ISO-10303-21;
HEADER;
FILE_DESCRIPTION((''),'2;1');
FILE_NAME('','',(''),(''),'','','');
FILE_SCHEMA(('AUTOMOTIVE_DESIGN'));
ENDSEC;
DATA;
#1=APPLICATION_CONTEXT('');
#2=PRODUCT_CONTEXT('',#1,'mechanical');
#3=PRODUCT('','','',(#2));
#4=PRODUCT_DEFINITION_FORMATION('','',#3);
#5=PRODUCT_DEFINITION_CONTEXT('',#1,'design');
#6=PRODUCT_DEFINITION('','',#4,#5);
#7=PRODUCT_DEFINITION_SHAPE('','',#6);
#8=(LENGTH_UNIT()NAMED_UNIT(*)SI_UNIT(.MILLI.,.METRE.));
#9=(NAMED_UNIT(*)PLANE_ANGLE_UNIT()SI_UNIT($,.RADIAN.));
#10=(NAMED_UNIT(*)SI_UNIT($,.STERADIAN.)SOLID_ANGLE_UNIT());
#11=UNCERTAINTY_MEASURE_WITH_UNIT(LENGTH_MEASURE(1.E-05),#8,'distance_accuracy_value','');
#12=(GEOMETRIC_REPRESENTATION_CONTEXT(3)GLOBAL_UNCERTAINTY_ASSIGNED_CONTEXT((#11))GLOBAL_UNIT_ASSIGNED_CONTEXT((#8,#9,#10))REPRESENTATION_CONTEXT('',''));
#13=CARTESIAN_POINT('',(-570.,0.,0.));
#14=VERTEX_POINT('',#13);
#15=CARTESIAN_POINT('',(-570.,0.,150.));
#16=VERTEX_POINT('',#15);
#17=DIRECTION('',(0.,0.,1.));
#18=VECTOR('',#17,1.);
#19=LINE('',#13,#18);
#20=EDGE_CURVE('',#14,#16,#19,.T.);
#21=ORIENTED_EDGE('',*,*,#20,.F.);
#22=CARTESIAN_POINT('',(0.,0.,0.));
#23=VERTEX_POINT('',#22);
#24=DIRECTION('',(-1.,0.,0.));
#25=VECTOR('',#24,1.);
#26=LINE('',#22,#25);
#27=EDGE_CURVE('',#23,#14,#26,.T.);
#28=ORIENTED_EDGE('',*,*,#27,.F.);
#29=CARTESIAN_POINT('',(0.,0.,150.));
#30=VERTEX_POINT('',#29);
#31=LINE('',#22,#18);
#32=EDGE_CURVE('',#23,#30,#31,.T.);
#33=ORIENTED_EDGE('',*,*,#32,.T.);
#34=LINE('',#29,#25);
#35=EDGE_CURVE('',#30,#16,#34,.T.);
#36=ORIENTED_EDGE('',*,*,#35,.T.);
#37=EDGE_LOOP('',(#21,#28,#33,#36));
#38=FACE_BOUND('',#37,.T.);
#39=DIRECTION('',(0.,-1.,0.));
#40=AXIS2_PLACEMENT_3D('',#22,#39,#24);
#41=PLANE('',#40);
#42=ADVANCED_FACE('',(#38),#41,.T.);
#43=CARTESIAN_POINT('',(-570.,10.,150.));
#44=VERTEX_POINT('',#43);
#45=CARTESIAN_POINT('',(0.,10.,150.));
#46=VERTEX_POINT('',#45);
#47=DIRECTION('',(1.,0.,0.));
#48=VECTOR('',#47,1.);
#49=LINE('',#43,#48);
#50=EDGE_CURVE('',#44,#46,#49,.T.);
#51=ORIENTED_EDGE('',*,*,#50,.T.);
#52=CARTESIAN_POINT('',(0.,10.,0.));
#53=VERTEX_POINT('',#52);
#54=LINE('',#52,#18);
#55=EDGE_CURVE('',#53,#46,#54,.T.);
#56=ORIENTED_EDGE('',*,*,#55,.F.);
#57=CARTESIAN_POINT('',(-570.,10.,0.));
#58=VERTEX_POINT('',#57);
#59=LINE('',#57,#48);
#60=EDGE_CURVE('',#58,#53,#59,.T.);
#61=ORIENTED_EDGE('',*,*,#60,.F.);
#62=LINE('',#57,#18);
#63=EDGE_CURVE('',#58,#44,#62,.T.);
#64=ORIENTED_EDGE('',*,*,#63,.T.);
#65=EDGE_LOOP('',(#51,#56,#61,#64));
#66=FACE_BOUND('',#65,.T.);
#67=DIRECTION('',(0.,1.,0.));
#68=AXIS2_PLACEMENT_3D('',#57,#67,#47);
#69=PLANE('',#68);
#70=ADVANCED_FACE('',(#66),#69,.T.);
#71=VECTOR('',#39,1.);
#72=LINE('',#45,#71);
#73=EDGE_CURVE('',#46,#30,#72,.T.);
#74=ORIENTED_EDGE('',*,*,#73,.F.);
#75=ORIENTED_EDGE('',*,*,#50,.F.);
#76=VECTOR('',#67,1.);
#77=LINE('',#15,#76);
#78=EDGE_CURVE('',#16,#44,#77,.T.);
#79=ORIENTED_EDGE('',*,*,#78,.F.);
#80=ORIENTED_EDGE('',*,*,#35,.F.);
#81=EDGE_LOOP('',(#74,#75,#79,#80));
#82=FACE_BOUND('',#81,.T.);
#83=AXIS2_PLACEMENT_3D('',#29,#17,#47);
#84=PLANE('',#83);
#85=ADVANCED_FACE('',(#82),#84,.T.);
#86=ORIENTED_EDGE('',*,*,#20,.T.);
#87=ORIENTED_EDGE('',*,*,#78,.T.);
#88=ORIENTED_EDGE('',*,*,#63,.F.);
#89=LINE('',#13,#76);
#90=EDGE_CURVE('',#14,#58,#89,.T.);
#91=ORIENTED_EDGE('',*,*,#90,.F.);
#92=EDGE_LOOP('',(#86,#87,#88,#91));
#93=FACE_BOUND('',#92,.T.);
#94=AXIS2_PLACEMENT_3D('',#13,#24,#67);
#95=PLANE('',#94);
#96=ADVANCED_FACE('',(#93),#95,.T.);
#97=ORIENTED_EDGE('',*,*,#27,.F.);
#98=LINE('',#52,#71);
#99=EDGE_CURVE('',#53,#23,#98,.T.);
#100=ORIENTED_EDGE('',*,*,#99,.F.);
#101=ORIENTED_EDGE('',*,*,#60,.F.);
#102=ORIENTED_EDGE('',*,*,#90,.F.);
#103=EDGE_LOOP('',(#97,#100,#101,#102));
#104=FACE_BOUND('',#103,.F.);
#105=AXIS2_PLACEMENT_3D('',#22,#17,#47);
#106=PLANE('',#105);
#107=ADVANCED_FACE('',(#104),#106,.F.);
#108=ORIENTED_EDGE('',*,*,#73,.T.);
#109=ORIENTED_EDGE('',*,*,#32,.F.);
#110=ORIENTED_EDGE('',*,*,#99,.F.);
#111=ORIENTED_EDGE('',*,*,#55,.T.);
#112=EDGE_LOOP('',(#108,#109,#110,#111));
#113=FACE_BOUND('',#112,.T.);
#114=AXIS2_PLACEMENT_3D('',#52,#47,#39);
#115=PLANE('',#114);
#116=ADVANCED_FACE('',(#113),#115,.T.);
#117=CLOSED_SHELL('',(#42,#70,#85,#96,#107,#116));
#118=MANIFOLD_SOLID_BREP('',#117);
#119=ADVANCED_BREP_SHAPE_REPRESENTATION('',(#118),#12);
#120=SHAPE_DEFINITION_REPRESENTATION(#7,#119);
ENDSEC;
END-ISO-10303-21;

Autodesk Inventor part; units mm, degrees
ref_plane "YZ Plane" through (0, 0, 0) normal (1, 0, 0) x (0, 1, 0)
ref_plane "XZ Plane" through (0, 0, 0) normal (0, 1, 0) x (-1, 0, 0)
ref_plane "XY Plane" through (0, 0, 0) normal (0, 0, 1) x (1, 0, 0)
sketch "Sketch1" plane through (0, 0, 0) normal (0, 0, 1) x (1, 0, 0)
  line L0 (0, 0) -> (-570, 0)
  line L1 (-570, 0) -> (-570, 10)
  line L2 (-570, 10) -> (0, 10)
  line L3 (0, 10) -> (0, 0)
  dimension "d0" = 570
  dimension "d1" = 10
extrude "Extrusion1" add sketch "Sketch1" along normal blind 150
properties part number "carril4"
